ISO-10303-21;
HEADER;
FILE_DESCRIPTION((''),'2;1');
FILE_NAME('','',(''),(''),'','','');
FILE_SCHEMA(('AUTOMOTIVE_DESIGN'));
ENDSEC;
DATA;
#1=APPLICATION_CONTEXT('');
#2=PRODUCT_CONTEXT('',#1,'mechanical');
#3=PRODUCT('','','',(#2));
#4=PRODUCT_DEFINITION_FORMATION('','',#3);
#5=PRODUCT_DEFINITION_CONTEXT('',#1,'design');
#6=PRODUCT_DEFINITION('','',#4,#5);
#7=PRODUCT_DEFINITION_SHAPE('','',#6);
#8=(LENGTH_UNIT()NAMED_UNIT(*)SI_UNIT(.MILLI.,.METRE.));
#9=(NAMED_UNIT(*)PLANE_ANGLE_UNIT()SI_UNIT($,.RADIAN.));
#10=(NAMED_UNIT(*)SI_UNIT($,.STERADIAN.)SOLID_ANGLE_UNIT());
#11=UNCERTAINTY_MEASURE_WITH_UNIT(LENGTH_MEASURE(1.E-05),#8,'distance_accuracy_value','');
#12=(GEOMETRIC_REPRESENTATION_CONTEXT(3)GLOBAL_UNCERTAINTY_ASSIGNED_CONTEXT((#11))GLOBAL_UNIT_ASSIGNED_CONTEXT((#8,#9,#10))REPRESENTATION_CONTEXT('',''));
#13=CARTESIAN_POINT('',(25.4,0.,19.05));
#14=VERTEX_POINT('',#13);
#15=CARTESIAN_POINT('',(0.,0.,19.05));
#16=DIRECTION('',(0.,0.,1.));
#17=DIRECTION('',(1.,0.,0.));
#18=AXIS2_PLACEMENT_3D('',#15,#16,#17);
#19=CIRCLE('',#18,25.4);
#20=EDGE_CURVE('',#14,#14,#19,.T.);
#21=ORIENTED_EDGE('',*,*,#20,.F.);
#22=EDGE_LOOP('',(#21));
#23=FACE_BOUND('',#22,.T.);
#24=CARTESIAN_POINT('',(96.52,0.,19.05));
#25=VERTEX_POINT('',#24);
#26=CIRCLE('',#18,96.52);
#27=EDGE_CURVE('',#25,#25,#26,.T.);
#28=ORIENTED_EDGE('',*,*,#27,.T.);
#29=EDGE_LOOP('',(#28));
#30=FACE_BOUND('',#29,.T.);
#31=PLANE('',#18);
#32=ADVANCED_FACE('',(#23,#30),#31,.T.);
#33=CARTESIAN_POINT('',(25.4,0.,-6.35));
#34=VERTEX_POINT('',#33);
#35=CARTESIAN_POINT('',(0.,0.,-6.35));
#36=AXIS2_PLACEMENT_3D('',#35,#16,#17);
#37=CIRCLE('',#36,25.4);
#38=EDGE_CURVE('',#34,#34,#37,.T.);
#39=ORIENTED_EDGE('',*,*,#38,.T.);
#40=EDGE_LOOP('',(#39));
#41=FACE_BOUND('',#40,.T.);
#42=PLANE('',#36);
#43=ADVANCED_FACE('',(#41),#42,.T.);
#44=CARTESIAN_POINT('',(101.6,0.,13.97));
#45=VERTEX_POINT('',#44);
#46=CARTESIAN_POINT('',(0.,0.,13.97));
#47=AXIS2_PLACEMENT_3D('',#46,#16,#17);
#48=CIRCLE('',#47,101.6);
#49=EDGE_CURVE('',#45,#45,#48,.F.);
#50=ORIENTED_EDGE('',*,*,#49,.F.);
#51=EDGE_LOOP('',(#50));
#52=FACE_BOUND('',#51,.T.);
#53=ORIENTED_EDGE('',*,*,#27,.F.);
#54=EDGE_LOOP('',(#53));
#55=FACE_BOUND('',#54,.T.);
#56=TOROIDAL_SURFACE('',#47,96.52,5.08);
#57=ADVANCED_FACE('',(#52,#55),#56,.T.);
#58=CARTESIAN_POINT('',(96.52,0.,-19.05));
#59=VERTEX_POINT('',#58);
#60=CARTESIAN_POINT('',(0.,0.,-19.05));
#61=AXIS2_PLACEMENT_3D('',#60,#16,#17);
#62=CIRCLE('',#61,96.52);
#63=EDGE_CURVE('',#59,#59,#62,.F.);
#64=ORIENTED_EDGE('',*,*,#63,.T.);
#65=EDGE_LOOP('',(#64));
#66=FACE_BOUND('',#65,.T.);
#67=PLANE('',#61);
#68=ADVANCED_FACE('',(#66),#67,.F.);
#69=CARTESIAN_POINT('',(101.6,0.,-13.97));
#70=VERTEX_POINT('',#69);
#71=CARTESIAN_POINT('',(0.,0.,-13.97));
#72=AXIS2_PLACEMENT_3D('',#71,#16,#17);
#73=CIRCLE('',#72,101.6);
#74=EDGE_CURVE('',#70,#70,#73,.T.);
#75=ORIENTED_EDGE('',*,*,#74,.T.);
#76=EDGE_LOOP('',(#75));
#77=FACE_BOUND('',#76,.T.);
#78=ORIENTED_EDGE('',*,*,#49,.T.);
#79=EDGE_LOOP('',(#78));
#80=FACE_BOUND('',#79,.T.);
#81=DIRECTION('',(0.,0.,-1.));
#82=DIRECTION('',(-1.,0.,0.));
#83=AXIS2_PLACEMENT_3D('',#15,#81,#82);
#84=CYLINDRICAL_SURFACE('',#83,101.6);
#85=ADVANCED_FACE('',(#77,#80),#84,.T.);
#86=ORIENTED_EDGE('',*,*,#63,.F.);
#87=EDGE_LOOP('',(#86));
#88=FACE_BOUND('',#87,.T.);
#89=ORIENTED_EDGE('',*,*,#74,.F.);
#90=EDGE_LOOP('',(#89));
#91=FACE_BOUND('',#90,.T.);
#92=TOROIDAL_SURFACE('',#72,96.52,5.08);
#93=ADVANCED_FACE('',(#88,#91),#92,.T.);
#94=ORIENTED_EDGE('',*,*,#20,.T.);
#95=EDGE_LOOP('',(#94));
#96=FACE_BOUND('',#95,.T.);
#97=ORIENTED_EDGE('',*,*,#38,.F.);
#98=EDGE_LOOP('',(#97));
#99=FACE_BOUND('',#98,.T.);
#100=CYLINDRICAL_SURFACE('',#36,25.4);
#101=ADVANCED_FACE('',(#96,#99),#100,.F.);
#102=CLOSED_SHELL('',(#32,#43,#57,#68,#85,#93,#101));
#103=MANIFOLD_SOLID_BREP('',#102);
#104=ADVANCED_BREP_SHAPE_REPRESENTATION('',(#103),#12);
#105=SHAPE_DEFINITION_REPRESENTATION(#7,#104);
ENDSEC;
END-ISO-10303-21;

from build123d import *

# Parameters (mm, degrees)
SKETCH1_R          = 101.6
WHEEL_DEPTH        = 19.05
FILLET1_R          = 5.08
SKETCH2_R          = 25.4
CUT_EXTRUDE1_DEPTH = 25.4


with BuildPart() as part:
    # Sketch1 → Wheel (new body, symmetric)
    with BuildSketch(Plane.XY):
        Circle(SKETCH1_R)
    extrude(amount=WHEEL_DEPTH, both=True)

    # Fillet1
    fillet1_edges = [part.edges().sort_by_distance(p)[0] for p in [
        (-101.6, 0, -19.05),
        (-101.6, 0, 19.05),
    ]]
    fillet(fillet1_edges, radius=FILLET1_R)

    # Sketch2 → Cut-Extrude1 (cut)
    with BuildSketch(Plane.XY.offset(19.05)):
        Circle(SKETCH2_R)
    extrude(amount=-CUT_EXTRUDE1_DEPTH, mode=Mode.SUBTRACT)


solid = part.part
